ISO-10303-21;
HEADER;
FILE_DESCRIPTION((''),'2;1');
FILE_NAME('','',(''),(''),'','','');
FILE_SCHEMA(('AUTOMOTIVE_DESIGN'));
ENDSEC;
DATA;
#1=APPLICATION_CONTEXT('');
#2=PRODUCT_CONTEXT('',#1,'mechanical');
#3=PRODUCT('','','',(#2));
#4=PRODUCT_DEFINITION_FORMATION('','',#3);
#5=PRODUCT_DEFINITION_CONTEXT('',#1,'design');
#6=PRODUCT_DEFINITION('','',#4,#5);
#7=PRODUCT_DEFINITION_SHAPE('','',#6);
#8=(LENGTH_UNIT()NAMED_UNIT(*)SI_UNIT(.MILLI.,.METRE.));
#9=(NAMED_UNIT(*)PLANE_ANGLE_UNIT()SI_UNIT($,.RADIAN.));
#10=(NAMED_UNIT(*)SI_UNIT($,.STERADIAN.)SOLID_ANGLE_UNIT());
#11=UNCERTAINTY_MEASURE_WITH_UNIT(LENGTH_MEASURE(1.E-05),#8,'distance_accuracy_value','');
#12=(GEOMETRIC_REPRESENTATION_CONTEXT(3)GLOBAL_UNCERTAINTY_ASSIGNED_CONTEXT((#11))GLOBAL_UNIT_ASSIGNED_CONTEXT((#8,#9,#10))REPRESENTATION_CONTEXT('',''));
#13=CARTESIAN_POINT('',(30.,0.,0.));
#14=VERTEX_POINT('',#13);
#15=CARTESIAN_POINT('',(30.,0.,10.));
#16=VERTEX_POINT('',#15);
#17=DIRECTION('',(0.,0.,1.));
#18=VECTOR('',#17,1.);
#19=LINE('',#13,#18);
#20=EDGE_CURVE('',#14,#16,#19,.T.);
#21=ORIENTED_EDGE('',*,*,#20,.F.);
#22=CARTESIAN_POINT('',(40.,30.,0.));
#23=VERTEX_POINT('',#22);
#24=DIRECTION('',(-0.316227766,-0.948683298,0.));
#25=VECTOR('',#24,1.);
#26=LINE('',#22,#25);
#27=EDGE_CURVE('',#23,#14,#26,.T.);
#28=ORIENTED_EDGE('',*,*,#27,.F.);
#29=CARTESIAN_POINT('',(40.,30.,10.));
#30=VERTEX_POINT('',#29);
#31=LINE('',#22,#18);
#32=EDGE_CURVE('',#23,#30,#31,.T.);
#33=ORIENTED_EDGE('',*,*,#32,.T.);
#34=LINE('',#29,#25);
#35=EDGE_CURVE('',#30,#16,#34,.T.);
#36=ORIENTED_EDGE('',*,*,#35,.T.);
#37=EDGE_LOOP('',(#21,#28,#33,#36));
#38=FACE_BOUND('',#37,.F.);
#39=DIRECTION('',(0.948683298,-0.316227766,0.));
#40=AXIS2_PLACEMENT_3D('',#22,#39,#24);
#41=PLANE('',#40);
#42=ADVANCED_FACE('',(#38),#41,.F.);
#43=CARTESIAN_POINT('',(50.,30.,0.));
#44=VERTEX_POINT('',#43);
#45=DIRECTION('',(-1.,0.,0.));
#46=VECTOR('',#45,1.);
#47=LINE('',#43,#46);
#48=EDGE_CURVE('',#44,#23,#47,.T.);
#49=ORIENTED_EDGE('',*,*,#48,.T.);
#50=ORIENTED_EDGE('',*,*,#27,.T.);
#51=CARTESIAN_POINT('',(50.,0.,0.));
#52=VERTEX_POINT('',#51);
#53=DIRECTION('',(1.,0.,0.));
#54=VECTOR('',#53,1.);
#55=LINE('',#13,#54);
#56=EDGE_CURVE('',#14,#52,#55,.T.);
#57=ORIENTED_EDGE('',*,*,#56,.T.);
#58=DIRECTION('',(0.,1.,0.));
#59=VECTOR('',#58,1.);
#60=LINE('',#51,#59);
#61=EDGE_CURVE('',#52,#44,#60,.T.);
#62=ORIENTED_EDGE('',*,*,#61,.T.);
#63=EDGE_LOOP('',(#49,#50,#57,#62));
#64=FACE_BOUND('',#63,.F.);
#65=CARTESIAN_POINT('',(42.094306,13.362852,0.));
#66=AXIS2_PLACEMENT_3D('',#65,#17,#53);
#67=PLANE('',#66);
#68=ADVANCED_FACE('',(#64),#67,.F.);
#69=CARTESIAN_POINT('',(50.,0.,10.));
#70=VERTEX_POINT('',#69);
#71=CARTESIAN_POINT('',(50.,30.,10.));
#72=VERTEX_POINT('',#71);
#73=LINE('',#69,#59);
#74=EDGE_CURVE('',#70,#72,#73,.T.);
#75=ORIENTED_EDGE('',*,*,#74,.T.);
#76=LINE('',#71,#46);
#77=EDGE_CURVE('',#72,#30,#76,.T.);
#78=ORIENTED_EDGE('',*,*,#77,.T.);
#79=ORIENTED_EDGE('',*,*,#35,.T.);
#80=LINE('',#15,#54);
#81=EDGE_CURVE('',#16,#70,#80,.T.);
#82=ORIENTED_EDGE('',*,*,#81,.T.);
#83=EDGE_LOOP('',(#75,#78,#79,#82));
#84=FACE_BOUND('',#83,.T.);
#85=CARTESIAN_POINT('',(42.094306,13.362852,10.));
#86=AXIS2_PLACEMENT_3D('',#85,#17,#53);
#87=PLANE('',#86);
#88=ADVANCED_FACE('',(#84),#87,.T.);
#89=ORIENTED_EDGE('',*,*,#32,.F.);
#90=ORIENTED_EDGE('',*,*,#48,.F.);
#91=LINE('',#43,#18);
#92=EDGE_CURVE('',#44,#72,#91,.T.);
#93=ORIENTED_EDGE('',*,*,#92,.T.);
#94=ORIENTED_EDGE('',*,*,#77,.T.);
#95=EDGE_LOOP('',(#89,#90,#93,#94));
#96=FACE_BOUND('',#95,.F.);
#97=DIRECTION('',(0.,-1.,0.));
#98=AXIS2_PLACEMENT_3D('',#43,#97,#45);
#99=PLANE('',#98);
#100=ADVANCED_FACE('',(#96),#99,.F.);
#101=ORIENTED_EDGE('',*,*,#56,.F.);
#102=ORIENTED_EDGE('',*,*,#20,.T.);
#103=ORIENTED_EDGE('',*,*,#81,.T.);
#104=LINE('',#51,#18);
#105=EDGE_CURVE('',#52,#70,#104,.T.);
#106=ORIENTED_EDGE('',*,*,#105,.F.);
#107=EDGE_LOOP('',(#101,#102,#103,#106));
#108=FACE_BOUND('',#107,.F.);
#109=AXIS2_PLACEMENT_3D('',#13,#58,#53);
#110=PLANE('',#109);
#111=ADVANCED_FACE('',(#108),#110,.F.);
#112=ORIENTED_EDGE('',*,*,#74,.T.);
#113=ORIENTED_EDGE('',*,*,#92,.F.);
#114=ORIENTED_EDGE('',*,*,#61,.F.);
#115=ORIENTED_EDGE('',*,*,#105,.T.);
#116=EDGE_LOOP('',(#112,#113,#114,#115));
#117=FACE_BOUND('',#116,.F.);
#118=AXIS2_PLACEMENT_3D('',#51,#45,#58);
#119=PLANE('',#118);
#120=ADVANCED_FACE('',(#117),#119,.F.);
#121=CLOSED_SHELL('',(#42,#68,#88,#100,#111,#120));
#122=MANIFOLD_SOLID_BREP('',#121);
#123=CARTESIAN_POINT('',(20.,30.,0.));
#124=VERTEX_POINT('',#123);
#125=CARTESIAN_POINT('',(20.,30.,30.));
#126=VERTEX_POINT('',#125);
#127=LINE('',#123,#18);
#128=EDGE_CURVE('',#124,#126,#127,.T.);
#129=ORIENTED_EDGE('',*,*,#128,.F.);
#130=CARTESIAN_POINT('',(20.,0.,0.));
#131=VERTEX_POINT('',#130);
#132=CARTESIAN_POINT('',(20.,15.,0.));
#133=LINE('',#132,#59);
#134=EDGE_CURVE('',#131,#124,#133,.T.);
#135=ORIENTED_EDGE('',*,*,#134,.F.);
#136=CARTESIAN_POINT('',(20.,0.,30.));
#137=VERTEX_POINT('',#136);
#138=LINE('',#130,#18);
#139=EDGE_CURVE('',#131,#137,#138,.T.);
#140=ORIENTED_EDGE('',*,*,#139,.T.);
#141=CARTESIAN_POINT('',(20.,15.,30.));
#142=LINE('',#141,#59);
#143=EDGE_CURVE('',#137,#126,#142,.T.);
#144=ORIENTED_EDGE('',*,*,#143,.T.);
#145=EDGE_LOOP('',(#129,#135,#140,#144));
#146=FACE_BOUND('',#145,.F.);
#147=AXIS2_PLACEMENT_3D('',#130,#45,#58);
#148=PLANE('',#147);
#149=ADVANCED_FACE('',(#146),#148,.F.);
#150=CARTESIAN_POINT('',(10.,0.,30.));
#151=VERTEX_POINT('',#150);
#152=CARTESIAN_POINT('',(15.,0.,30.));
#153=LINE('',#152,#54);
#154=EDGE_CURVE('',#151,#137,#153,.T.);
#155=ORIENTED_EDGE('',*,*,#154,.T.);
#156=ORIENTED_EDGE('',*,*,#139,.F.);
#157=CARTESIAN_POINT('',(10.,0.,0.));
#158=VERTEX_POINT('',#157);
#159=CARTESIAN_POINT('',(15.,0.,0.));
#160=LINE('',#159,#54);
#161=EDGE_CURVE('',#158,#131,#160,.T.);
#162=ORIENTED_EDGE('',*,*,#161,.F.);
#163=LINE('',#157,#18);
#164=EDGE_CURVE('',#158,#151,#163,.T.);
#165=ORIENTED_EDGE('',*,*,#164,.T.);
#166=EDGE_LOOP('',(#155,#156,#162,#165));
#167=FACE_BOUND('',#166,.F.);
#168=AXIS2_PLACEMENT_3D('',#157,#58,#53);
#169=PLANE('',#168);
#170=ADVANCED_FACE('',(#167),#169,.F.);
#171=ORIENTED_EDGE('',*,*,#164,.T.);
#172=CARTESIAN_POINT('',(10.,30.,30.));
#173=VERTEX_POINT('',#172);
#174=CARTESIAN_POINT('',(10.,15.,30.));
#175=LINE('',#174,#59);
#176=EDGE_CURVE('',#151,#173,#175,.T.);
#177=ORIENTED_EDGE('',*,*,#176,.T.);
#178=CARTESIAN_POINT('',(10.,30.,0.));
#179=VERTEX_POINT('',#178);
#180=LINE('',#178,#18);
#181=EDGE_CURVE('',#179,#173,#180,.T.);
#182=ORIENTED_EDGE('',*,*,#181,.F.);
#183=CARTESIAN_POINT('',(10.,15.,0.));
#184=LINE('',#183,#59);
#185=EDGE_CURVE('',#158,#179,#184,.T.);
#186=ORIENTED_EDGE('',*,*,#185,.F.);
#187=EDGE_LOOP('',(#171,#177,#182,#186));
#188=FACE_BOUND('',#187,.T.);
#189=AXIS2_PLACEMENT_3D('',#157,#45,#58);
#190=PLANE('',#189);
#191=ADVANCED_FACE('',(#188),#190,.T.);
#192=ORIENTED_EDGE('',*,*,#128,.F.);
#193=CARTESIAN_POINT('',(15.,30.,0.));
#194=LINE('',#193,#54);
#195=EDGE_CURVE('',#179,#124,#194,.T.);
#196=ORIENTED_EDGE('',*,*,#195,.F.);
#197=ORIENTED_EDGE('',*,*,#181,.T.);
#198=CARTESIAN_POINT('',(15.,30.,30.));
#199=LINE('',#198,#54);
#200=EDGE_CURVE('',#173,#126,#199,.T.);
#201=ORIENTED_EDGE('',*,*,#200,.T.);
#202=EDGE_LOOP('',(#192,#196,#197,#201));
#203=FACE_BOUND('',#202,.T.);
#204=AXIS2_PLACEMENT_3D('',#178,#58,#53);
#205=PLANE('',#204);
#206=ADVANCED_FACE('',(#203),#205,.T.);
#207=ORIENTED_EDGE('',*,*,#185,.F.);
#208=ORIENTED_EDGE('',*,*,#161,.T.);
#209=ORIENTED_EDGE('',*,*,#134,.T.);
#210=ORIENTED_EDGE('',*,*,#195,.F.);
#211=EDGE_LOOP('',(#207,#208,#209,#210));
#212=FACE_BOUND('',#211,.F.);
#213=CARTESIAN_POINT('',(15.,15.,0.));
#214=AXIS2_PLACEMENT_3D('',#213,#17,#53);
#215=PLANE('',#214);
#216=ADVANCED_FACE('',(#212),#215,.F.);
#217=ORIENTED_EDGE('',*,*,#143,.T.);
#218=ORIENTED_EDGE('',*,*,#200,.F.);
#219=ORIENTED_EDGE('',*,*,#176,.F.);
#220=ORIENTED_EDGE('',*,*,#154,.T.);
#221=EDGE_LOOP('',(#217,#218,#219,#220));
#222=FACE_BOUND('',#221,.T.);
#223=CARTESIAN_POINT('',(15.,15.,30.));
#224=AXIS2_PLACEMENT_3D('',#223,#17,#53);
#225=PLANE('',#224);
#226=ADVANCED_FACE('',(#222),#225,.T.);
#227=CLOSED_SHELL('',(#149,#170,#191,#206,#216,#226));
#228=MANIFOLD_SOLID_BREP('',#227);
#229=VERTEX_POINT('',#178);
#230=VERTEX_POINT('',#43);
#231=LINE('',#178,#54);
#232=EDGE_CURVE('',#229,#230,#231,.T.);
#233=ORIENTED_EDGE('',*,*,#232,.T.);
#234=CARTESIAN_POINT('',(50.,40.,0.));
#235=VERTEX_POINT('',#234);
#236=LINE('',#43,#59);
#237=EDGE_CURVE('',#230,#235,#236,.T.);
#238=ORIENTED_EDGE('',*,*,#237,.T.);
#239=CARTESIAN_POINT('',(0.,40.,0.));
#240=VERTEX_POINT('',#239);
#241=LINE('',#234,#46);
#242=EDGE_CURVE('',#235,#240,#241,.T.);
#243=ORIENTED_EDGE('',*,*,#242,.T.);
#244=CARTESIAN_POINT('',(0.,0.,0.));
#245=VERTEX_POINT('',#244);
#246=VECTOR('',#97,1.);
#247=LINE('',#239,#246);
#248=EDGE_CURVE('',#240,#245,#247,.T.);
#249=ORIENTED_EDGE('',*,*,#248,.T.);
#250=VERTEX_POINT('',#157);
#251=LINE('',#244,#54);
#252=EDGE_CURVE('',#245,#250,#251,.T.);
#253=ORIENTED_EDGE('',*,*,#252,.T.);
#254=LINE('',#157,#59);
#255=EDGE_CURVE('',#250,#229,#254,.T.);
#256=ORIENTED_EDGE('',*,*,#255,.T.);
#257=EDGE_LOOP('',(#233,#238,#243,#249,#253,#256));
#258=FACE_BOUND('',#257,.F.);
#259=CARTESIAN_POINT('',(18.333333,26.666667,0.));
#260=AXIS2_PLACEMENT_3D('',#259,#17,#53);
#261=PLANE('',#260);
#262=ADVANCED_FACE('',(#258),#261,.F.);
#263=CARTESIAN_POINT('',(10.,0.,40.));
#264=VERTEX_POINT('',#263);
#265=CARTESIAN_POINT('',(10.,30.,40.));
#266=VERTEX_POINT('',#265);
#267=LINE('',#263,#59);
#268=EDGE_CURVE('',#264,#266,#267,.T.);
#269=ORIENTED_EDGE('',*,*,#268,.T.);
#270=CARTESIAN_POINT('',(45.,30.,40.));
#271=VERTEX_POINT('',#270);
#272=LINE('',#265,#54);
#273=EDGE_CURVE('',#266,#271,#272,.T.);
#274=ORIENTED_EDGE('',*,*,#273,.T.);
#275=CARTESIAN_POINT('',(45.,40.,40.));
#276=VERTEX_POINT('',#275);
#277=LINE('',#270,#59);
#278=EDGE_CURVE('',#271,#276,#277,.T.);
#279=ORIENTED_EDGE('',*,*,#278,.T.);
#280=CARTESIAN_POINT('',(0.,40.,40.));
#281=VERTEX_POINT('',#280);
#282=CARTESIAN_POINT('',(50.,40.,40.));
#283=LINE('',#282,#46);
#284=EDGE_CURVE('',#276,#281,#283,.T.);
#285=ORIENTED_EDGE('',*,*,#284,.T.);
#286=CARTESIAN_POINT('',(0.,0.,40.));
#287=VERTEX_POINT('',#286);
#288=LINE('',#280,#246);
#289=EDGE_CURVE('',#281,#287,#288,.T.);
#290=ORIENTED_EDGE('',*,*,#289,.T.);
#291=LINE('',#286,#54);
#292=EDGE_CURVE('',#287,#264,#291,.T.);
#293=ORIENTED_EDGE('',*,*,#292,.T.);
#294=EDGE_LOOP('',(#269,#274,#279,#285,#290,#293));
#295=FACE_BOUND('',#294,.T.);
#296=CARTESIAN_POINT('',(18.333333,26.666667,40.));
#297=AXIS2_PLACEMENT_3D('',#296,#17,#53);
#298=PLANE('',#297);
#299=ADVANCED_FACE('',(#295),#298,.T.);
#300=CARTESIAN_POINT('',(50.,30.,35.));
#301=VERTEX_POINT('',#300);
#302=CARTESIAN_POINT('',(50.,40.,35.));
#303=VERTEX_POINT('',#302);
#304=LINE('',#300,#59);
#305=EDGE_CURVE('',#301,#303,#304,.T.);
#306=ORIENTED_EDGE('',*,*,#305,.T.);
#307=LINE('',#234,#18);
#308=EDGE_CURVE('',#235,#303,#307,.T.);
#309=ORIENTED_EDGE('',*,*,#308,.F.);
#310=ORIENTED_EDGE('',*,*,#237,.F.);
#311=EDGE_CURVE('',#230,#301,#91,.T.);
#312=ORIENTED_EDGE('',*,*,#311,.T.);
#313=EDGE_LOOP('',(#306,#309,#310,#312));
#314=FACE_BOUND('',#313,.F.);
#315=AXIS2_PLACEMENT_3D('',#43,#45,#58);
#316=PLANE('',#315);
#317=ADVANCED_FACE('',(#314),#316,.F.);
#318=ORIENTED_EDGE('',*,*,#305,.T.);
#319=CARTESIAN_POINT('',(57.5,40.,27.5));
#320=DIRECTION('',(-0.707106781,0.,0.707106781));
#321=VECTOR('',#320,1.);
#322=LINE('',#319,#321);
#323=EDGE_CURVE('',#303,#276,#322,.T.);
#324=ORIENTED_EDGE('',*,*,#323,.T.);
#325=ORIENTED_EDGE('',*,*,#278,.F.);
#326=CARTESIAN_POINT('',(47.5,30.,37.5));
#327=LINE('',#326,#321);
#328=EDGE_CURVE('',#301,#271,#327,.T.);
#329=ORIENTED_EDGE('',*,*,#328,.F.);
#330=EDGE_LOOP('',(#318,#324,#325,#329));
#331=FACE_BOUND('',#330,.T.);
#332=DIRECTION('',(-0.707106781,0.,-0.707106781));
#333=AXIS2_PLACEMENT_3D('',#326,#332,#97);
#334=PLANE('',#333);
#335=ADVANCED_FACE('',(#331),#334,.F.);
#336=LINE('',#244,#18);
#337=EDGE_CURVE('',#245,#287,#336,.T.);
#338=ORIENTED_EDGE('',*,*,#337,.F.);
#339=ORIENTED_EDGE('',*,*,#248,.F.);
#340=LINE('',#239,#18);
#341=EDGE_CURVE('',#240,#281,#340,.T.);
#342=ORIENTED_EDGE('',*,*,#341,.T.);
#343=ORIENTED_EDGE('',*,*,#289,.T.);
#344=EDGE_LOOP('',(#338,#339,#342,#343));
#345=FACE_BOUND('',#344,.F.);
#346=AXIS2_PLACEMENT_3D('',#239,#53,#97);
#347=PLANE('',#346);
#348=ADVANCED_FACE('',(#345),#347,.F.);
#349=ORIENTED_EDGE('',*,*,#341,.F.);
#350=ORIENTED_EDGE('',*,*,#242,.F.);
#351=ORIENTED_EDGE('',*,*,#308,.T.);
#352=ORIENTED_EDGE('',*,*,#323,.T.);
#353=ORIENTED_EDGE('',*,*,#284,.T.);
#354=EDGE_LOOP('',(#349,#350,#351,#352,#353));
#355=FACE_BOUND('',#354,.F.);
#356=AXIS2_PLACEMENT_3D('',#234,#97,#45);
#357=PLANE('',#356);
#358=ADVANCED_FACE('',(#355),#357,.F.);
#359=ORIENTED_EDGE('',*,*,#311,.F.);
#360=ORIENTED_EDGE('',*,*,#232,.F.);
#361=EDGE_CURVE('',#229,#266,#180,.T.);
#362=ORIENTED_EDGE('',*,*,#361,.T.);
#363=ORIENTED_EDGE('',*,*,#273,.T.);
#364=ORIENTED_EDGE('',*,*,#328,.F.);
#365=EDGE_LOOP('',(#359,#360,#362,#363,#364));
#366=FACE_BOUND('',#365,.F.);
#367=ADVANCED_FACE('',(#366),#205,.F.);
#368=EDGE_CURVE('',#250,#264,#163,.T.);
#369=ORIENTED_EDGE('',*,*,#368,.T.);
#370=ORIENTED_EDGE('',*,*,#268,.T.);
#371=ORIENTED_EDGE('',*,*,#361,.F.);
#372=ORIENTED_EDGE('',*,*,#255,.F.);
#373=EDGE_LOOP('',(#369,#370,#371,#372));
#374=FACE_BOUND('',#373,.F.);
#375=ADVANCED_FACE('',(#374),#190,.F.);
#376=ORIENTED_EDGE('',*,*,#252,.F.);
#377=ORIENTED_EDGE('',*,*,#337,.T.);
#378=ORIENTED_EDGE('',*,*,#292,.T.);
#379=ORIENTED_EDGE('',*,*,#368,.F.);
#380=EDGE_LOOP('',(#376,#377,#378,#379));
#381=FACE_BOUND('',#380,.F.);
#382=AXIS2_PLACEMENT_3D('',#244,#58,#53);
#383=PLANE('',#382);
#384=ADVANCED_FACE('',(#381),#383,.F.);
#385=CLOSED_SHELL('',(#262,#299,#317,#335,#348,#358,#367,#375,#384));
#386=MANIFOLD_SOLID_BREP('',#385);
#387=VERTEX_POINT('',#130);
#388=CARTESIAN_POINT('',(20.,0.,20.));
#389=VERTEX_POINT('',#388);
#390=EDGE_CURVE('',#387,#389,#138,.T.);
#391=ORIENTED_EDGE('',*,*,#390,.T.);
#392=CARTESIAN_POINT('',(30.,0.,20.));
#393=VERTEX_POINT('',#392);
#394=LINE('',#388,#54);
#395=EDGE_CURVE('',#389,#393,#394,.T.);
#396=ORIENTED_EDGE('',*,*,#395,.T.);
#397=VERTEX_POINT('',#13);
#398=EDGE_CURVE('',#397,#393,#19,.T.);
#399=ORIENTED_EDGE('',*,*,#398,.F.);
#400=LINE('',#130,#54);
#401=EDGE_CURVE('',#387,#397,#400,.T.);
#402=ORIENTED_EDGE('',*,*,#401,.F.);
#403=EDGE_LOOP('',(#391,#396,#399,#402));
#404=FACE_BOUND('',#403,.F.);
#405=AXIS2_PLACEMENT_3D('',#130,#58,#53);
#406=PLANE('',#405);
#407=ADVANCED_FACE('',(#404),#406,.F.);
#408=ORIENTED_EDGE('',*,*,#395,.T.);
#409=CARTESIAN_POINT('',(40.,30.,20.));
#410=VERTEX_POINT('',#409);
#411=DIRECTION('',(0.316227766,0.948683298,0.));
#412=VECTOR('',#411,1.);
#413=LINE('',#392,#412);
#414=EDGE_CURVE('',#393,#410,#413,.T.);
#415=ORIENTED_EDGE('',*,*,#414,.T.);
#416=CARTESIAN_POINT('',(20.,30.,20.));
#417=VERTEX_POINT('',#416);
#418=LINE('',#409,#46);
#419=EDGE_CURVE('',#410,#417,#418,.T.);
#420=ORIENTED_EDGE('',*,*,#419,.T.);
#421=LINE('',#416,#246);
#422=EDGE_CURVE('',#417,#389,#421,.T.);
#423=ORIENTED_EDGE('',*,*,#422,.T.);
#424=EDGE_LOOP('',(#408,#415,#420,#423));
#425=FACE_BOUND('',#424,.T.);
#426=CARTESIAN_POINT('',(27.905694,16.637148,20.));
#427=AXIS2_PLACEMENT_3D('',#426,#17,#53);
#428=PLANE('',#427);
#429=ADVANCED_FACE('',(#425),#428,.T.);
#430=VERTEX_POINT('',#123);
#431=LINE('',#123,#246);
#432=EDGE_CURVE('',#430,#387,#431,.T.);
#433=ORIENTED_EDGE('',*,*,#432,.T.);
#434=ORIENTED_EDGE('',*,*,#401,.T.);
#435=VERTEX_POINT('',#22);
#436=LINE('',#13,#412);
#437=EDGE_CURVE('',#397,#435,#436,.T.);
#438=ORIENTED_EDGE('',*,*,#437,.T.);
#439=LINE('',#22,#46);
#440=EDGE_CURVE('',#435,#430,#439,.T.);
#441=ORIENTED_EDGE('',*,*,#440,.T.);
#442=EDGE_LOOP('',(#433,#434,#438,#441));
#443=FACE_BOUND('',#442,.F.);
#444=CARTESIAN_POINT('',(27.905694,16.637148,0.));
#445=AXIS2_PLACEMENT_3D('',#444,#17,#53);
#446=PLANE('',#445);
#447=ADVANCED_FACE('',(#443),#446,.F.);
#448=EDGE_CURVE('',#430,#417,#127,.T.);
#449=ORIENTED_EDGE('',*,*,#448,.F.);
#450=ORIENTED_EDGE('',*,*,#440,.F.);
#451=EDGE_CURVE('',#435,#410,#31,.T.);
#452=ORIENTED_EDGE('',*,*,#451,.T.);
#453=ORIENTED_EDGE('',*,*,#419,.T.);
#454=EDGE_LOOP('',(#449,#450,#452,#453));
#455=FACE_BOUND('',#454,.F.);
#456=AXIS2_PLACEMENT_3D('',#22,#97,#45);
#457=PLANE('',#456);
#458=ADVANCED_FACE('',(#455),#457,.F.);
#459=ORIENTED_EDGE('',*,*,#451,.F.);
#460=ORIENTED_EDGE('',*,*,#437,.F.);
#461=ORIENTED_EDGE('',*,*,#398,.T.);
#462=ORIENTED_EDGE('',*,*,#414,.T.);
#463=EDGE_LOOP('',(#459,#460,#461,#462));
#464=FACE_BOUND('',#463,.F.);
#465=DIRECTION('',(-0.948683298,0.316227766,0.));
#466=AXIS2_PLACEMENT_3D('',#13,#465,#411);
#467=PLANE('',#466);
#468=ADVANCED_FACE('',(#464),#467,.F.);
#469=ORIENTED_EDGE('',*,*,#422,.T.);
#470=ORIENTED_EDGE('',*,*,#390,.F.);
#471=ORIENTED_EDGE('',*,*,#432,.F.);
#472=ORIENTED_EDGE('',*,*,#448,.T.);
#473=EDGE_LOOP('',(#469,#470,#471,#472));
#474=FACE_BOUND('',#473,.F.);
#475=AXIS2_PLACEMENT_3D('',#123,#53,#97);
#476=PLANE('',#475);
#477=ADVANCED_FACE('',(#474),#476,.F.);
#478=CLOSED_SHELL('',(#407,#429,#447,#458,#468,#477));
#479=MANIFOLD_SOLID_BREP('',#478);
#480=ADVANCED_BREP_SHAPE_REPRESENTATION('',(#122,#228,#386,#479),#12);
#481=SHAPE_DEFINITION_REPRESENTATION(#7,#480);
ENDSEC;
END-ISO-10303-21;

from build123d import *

# Parameters (mm, degrees)
F1_DEPTH = 40
F0_W     = 10
F0_H     = 30
F2_DEPTH = 30
F3_DEPTH = 20
F4_DEPTH = 10
F5_SIZE  = 5


with BuildPart() as f1:
    # F0 (on Top) → F1 (new body)
    with BuildSketch(Plane.XY):
        Polygon((0, 40), (0, 0), (10, 0), (10, 30), (20, 30), (40, 30), (50, 30), (50, 40), align=None)
    extrude(amount=F1_DEPTH)

    # F5
    f5_edges = [f1.edges().sort_by_distance(p)[0] for p in [
        (50, 35, 40),
    ]]
    chamfer(f5_edges, length=F5_SIZE)


with BuildPart() as f2:
    # F0 (on Top) → F2 (new body)
    with BuildSketch(Plane.XY):
        with Locations((15, 15)):
            Rectangle(F0_W, F0_H)
    extrude(amount=F2_DEPTH)


with BuildPart() as f3:
    # F0 (on Top) → F3 (new body)
    with BuildSketch(Plane.XY):
        Polygon((20, 30), (20, 0), (30, 0), (40, 30), align=None)
    extrude(amount=F3_DEPTH)


with BuildPart() as f4:
    # F0 (on Top) → F4 (new body)
    with BuildSketch(Plane.XY):
        Polygon((40, 30), (30, 0), (50, 0), (50, 30), align=None)
    extrude(amount=F4_DEPTH)


solid = Compound([f1.part, f2.part, f3.part, f4.part])
